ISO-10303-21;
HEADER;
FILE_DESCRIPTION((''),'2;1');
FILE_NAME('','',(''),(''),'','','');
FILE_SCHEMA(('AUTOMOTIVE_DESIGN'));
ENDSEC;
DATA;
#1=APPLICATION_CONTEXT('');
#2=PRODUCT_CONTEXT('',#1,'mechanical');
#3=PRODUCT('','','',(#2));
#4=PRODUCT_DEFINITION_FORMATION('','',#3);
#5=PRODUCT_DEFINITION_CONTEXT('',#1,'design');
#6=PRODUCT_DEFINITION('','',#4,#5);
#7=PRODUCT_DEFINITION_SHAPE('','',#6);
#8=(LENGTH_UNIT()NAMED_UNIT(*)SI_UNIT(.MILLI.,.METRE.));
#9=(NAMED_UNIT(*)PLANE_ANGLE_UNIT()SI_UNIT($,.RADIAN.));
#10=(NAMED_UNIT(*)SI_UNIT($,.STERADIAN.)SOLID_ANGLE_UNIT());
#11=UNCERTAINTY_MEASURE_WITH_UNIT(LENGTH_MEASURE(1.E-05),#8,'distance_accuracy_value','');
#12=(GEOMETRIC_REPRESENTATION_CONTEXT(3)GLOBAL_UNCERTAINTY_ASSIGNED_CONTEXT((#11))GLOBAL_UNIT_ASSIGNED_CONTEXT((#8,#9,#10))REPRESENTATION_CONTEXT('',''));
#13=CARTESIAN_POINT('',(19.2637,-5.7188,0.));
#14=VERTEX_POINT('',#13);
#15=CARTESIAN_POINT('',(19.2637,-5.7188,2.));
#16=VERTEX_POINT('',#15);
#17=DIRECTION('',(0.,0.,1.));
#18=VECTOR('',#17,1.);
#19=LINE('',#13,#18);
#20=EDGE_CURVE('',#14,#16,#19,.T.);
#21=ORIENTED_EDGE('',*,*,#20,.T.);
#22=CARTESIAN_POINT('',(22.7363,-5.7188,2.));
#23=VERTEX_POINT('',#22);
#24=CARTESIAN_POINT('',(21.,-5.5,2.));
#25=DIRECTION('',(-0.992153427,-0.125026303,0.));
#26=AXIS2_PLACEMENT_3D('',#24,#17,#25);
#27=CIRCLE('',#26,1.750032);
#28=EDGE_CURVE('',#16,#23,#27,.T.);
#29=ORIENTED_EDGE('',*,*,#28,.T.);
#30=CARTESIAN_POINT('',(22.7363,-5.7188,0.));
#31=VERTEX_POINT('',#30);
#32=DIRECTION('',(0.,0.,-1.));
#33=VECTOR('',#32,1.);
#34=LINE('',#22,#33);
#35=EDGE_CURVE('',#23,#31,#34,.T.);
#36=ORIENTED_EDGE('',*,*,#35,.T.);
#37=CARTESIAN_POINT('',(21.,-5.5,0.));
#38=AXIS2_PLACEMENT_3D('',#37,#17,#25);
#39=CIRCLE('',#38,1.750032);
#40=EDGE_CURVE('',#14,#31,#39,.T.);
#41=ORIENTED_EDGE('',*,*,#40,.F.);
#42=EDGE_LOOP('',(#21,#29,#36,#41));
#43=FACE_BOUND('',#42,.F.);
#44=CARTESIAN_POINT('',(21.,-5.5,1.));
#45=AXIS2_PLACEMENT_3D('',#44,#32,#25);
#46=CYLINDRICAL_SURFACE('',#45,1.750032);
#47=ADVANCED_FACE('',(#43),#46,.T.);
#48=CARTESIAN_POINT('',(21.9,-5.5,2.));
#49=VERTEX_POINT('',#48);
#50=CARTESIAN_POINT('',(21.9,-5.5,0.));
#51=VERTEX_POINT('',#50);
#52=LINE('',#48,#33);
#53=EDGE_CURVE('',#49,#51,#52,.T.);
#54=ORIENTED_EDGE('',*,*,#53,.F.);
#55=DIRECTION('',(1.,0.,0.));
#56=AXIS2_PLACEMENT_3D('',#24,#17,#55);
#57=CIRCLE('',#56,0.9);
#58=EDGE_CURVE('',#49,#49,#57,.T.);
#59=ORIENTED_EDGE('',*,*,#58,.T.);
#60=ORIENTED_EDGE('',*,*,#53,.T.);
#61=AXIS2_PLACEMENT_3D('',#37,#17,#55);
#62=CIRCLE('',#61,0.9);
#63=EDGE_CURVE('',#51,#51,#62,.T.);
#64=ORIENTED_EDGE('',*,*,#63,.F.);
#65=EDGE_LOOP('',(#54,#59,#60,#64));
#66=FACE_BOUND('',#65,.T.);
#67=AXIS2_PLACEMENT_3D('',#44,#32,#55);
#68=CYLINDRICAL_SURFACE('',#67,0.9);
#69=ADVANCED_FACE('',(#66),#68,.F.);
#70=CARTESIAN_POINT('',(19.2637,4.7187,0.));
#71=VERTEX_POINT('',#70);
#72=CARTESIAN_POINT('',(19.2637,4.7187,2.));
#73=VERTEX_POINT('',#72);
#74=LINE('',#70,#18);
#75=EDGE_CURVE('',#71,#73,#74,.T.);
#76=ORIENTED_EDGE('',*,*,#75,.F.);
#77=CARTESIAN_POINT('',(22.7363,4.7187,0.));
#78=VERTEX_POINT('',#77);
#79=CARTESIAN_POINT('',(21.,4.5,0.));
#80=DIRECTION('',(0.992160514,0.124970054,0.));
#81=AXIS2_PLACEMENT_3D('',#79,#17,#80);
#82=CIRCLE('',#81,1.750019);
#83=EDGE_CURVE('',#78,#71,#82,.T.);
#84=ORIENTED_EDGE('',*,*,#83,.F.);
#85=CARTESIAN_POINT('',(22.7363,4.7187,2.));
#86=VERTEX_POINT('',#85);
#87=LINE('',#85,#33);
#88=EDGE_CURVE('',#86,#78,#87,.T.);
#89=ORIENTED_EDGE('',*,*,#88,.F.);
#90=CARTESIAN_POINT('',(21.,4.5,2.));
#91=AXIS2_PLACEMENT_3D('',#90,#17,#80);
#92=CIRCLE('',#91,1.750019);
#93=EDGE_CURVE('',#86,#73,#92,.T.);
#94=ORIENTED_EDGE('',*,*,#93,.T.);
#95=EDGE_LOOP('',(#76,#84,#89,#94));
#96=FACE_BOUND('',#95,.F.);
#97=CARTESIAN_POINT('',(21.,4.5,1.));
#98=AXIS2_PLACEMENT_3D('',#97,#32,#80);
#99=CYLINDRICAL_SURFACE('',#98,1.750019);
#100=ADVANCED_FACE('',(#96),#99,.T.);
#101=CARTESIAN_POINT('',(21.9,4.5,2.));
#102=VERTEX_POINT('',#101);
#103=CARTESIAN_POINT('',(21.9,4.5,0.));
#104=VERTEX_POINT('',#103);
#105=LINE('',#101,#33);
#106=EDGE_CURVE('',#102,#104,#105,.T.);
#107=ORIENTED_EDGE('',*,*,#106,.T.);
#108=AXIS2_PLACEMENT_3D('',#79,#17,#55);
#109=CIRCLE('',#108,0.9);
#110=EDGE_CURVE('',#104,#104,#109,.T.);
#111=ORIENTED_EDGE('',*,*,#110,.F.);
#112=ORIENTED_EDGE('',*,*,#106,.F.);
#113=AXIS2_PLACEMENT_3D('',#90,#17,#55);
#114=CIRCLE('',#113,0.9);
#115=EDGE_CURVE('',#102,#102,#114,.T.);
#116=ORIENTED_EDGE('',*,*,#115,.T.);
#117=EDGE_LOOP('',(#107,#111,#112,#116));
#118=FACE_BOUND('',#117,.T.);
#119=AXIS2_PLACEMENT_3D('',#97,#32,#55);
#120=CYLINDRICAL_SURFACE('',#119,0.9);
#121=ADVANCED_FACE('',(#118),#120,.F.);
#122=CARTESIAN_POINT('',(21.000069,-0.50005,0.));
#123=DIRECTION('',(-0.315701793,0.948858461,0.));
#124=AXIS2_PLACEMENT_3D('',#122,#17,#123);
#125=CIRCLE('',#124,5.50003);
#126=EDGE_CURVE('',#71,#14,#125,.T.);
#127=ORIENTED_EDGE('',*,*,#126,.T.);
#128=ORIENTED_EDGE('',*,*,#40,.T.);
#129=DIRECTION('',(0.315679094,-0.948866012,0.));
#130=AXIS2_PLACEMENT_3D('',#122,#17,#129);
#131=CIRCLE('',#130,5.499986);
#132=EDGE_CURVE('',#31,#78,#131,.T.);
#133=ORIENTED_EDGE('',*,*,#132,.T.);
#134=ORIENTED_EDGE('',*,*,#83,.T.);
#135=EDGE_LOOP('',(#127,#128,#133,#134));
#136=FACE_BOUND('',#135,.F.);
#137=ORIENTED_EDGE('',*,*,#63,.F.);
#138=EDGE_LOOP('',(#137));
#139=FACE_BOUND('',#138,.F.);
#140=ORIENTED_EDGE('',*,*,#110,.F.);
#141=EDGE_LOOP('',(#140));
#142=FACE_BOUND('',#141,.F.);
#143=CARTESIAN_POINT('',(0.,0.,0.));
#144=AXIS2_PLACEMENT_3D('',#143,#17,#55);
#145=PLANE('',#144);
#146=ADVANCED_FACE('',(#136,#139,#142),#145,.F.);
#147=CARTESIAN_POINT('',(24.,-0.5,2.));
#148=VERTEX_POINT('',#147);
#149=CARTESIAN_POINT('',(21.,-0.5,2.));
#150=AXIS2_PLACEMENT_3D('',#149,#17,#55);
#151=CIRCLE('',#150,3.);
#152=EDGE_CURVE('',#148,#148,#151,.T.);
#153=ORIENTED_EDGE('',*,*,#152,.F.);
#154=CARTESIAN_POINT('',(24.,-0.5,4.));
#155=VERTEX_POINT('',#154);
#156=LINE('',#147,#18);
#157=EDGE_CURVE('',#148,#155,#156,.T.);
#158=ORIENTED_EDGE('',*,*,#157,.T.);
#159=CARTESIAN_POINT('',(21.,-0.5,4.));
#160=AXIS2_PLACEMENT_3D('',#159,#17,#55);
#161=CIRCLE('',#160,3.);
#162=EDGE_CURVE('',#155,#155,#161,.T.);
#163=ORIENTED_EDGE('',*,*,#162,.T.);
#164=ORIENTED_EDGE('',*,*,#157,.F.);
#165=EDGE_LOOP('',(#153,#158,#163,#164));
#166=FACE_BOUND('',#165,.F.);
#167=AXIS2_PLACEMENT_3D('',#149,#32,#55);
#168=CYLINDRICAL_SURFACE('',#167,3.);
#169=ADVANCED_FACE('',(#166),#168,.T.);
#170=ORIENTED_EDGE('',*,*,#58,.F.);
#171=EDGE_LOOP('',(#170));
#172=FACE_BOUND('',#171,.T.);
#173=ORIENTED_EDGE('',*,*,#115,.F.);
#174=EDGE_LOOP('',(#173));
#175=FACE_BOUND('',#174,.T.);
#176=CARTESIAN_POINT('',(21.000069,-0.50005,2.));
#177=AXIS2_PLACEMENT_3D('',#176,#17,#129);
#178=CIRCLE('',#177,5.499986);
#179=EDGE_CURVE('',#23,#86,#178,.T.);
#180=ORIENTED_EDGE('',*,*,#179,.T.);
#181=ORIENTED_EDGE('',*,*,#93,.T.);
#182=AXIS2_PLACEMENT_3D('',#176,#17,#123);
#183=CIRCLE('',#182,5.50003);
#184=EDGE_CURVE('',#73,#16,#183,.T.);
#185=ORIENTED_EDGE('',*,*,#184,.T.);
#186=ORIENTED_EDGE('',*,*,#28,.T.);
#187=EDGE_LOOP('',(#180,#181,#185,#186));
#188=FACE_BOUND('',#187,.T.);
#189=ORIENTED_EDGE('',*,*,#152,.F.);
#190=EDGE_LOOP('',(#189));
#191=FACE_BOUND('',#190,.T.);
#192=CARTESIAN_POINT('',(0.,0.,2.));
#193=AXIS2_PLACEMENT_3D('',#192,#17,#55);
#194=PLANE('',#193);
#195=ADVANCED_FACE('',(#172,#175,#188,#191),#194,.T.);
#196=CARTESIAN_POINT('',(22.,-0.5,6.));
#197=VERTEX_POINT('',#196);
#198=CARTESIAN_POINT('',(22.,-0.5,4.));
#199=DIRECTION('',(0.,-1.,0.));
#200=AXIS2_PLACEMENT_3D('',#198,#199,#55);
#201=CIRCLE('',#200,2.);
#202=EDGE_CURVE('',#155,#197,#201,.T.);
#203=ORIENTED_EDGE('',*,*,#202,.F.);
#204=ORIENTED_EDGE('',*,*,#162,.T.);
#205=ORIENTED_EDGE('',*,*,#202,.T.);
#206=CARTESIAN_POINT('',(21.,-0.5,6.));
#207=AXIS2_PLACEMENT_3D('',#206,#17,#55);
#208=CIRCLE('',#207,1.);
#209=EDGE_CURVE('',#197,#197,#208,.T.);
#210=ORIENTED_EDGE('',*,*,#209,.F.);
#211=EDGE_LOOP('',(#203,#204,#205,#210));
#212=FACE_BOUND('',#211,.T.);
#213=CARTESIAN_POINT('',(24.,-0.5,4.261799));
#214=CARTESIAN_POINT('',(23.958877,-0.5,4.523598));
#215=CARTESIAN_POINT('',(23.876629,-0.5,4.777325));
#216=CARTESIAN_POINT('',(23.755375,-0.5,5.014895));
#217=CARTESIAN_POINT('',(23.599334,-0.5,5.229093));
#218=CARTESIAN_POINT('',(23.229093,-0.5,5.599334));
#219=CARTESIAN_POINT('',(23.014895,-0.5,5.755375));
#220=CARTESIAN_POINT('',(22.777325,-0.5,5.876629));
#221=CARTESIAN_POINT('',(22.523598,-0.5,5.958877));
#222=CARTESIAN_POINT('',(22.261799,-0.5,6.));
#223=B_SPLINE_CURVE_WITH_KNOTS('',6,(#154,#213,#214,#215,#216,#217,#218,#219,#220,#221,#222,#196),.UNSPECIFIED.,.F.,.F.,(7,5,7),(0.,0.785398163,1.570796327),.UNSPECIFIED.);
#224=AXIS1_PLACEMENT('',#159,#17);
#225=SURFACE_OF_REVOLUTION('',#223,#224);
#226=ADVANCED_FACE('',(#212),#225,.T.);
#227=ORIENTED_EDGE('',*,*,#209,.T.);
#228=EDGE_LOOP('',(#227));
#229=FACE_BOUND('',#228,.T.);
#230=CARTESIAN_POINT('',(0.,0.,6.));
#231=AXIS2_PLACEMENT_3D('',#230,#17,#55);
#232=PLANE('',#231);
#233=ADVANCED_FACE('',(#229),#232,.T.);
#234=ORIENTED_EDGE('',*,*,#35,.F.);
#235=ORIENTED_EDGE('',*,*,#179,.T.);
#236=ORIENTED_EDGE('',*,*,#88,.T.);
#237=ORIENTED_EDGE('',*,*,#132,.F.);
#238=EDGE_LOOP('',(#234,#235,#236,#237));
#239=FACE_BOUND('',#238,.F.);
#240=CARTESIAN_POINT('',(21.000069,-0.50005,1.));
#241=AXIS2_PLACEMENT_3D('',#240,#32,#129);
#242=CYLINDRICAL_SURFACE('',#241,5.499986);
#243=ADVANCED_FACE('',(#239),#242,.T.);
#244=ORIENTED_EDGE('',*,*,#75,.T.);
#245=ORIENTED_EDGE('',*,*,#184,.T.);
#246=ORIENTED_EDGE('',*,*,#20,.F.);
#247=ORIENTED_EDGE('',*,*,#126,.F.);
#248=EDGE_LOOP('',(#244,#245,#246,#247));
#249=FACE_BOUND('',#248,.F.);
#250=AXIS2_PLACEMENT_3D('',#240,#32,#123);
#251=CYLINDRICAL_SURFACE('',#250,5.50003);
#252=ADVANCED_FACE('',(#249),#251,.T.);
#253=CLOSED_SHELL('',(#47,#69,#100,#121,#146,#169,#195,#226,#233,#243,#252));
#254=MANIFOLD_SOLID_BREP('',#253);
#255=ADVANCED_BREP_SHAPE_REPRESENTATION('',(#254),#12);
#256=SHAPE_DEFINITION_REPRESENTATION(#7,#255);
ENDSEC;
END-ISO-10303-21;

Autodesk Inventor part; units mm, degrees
ref_plane "YZ Plane" through (0, 0, 0) normal (1, 0, 0) x (0, 1, 0)
ref_plane "XZ Plane" through (0, 0, 0) normal (0, 1, 0) x (-1, 0, 0)
ref_plane "XY Plane" through (0, 0, 0) normal (0, 0, 1) x (1, 0, 0)
sketch "스케치1" plane through (0, 0, 0) normal (0, 0, 1) x (1, 0, 0)
  line L0 (-24.8745, -28.5) -> (-24.8745, -22.5) projected
  line L1 (-24.8745, -22.5) -> (-24.6915, -22.5) projected
  line L2 (4.8745, -22.5) -> (4.8745, -28.5) projected
  line L3 (30, -28.5) -> (4.8745, -28.5) projected
  line L4 (30, 27.5) -> (30, -28.5) projected
  line L5 (30, 27.5) -> (4.8745, 27.5) projected
  line L6 (4.8745, 27.5) -> (4.8745, 21.5) projected
  line L7 (-24.6915, 21.5) -> (-24.8745, 21.5) projected
  line L8 (-24.8745, 21.5) -> (-24.8745, 27.5) projected
  line L9 (17, -7.5) -> (25, -7.5)
  line L10 (25, -7.5) -> (25, 6.5)
  line L11 (25, 6.5) -> (17, 6.5)
  line L12 (17, 6.5) -> (17, -7.5)
  arc A0 (19.7598, -5.3438) -> (22.2402, -5.3438) centre (21, -5.5) ccw
  arc A1 (22.2402, 4.3437) -> (19.7598, 4.3437) centre (21, 4.5) ccw
  circle A2 centre (21, -5.5) radius 0.9
  circle A3 centre (21, 4.5) radius 0.9
  arc A4 (19.7598, 4.3437) -> (19.7598, -5.3438) centre (21, -0.5) ccw
  arc A5 (22.2402, -5.3438) -> (22.2402, 4.3437) centre (21, -0.5) ccw
  circle A6 centre (21, -5.5) radius 0.9 projected
  circle A7 centre (21, 4.5) radius 0.9 projected
  line L13 (-21.6915, -12.5) -> (-21.6915, 11.5) projected
  line L14 (4, 11.5) -> (4, -12.5) projected
  line L15 (-24.8745, 27.5) -> (-33, 27.5) projected
  line L16 (-33, -28.5) -> (-33, 27.5) projected
  line L17 (-24.8745, -28.5) -> (-33, -28.5) projected
  line L18 (7, -22.5) -> (4.8745, -22.5) projected
  line L19 (4.8745, 21.5) -> (7, 21.5) projected
  line L20 (7, 21.5) -> (7, 20) projected
  line L21 (7, 20) -> (-24.6915, 20) projected
  line L22 (-24.6915, 20) -> (-24.6915, 21.5) projected
  line L23 (-24.6915, -22.5) -> (-24.6915, -21) projected
  line L24 (-24.6915, -21) -> (7, -21) projected
  line L25 (7, -21) -> (7, -22.5) projected
  line L26 (4, -12.5) -> (-21.6915, -12.5) projected
  line L27 (-21.6915, 11.5) -> (4, 11.5) projected
  point P0 (0, 0)
  dimension "d0" = 8
  dimension "d1" = 5
  dimension "d2" = 14
  dimension "d3" = 56
  dimension "d4" = 21
  dimension "d5" = 2.5
  dimension "d6" = 2.5
  dimension "d7" = 10
  dimension "d8" = 2
  dimension "d9" = 4
  dimension "d10" = 4
  dimension "d11" = 1.8
  dimension "d12" = 1.8
  dimension "d13" = 21
  dimension "d14" = 2
extrude "돌출1" add sketch "스케치1" along normal blind 1 contours A4 L12 | L12 A4 A1 A5 L10 A0 | L10 A5
sketch "스케치2" plane through (0, 0, 1) normal (0, 0, 1) x (1, 0, 0)
  arc A0 (19.7598, 4.3437) -> (19.7598, -5.3438) centre (21, -0.5) ccw projected
  arc A1 (22.2402, 4.3437) -> (19.7598, 4.3437) centre (21, 4.5) ccw projected
  arc A2 (22.2402, -5.3438) -> (22.2402, 4.3437) centre (21, -0.5) ccw projected
  arc A3 (19.7598, -5.3438) -> (22.2402, -5.3438) centre (21, -5.5) ccw projected
  arc A4 (19.2637, 4.7187) -> (19.2637, -5.7188) centre (21, -0.5) ccw
  arc A5 (22.7363, 4.7187) -> (19.2637, 4.7187) centre (21, 4.5) ccw
  arc A6 (22.7363, -5.7188) -> (22.7363, 4.7187) centre (21, -0.5) ccw
  arc A7 (19.2637, -5.7188) -> (22.7363, -5.7188) centre (21, -5.5) ccw
  point P0 (0, 0)
  dimension "d17" = 0.5
extrude "돌출2" add sketch "스케치2" against normal blind 1
sketch "스케치3" plane through (0, 0, 1) normal (0, 0, 1) x (1, 0, 0)
  arc A0 (19.2637, 4.7187) -> (19.2637, -5.7188) centre (21, -0.5) ccw projected
  arc A1 (19.2637, -5.7188) -> (22.7363, -5.7188) centre (21, -5.5) ccw projected
  arc A2 (22.7363, -5.7188) -> (22.7363, 4.7187) centre (21, -0.5) ccw projected
  arc A3 (22.7363, 4.7187) -> (19.2637, 4.7187) centre (21, 4.5) ccw projected
  circle A4 centre (21, 4.5) radius 0.9 projected
  circle A5 centre (21, -5.5) radius 0.9 projected
  point P0 (0, 0)
extrude "돌출3" add sketch "스케치3" along normal blind 1
sketch "스케치4" plane through (0, 0, 2) normal (0, 0, 1) x (1, 0, 0)
  circle A0 centre (21, -5.5) radius 0.9 projected
  circle A1 centre (21, 4.5) radius 0.9 projected
  arc A2 (19.2637, 4.7187) -> (19.2637, -5.7188) centre (21, -0.5) ccw projected
  arc A3 (19.2637, -5.7188) -> (22.7363, -5.7188) centre (21, -5.5) ccw projected
  arc A4 (22.7363, -5.7188) -> (22.7363, 4.7187) centre (21, -0.5) ccw projected
  arc A5 (22.7363, 4.7187) -> (19.2637, 4.7187) centre (21, 4.5) ccw projected
  circle A6 centre (21, -0.5) radius 3
  point P0 (0, 0)
  dimension "d22" = 6
extrude "돌출4" add sketch "스케치4" along normal blind 4 contours A6
fillet "모깎기1" radius 2 1 edges at (18, -0.5, 6)
properties part number "candynamix_mini_ballcaster"
